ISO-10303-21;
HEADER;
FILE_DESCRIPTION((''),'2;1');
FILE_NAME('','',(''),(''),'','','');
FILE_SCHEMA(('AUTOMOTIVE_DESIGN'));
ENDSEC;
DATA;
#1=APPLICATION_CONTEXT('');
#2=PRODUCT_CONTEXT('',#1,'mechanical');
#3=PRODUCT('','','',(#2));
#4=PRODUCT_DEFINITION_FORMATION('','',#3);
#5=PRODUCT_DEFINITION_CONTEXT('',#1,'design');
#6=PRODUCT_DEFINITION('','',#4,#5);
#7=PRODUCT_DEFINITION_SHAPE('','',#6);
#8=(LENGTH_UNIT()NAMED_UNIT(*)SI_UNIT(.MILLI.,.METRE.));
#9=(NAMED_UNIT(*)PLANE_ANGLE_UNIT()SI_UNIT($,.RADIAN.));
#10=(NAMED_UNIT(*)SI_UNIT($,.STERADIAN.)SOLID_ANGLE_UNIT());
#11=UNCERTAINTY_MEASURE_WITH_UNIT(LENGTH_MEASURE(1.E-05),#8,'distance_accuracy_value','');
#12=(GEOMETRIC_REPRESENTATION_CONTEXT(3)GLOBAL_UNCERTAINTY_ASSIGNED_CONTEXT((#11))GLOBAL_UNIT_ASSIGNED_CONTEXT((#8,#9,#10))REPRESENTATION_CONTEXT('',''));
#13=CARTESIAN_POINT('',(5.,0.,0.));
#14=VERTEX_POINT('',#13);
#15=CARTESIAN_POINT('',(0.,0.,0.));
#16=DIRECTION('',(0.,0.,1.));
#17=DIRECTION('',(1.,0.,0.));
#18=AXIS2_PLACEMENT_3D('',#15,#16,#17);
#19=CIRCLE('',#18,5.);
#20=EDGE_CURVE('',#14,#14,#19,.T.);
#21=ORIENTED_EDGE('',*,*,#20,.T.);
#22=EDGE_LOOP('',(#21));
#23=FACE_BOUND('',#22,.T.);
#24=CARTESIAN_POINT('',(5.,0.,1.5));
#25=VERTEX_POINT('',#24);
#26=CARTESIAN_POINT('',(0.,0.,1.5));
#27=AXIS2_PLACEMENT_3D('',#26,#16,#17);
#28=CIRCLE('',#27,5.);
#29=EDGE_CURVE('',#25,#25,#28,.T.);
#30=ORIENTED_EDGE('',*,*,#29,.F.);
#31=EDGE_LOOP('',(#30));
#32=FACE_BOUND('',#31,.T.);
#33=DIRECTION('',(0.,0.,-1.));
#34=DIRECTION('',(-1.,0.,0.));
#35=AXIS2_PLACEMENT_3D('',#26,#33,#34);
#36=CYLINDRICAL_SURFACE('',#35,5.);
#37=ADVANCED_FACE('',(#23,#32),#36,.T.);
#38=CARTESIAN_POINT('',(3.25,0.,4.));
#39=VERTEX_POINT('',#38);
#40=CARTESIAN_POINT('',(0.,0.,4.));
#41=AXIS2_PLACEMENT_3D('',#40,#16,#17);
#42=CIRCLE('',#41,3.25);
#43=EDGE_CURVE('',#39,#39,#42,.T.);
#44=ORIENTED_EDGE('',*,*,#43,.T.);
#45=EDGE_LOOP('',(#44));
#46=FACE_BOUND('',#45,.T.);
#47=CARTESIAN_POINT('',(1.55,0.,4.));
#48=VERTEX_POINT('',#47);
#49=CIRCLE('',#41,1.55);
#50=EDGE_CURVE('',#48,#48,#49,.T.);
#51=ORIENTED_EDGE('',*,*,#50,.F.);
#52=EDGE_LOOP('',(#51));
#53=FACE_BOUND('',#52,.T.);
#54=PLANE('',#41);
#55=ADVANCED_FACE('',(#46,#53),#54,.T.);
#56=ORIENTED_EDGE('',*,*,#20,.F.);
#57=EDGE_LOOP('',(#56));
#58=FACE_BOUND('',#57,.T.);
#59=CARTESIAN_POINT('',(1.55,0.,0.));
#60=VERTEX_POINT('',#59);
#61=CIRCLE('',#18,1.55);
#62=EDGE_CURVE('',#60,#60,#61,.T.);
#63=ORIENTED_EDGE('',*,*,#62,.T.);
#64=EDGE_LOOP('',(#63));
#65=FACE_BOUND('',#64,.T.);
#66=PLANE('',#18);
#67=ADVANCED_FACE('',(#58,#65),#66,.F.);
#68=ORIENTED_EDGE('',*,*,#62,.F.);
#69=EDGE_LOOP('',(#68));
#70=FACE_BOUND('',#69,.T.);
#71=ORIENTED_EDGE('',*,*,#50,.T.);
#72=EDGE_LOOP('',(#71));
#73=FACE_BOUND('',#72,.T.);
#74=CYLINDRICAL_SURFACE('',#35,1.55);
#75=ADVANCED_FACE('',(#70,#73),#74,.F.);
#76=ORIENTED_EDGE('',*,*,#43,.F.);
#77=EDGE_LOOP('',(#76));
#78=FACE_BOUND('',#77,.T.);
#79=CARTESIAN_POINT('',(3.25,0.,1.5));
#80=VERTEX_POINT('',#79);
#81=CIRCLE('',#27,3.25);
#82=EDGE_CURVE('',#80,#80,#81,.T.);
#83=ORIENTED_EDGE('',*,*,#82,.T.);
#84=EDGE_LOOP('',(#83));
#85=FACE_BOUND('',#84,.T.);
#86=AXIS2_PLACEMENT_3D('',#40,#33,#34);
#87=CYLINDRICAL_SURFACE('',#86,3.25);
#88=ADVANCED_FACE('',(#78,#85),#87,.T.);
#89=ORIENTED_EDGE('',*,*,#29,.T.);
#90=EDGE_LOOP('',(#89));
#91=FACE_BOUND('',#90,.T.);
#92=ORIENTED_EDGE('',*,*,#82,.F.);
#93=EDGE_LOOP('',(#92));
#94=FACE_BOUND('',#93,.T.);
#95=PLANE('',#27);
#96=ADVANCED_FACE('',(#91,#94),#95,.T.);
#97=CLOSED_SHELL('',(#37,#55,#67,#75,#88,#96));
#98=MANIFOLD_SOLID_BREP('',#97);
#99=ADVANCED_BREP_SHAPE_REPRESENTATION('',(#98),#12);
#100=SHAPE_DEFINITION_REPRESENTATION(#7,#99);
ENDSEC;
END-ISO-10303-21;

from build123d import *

# Parameters (mm, degrees)
CROQUIS1_R              = 5
CROQUIS1_R_2            = 1.55
SALIENTE_EXTRUIR1_DEPTH = 1.5
CROQUIS2_R              = 3.25
CROQUIS2_R_2            = 1.55
SALIENTE_EXTRUIR2_DEPTH = 2.5


with BuildPart() as part:
    # Croquis1 → Saliente-Extruir1 (new body)
    with BuildSketch(Plane.XY):
        Circle(CROQUIS1_R)
        Circle(CROQUIS1_R_2, mode=Mode.SUBTRACT)
    extrude(amount=SALIENTE_EXTRUIR1_DEPTH)

    # Croquis2 → Saliente-Extruir2 (add)
    with BuildSketch(Plane.XY.offset(1.5)):
        Circle(CROQUIS2_R)
        Circle(CROQUIS2_R_2, mode=Mode.SUBTRACT)
    extrude(amount=SALIENTE_EXTRUIR2_DEPTH)


solid = part.part
